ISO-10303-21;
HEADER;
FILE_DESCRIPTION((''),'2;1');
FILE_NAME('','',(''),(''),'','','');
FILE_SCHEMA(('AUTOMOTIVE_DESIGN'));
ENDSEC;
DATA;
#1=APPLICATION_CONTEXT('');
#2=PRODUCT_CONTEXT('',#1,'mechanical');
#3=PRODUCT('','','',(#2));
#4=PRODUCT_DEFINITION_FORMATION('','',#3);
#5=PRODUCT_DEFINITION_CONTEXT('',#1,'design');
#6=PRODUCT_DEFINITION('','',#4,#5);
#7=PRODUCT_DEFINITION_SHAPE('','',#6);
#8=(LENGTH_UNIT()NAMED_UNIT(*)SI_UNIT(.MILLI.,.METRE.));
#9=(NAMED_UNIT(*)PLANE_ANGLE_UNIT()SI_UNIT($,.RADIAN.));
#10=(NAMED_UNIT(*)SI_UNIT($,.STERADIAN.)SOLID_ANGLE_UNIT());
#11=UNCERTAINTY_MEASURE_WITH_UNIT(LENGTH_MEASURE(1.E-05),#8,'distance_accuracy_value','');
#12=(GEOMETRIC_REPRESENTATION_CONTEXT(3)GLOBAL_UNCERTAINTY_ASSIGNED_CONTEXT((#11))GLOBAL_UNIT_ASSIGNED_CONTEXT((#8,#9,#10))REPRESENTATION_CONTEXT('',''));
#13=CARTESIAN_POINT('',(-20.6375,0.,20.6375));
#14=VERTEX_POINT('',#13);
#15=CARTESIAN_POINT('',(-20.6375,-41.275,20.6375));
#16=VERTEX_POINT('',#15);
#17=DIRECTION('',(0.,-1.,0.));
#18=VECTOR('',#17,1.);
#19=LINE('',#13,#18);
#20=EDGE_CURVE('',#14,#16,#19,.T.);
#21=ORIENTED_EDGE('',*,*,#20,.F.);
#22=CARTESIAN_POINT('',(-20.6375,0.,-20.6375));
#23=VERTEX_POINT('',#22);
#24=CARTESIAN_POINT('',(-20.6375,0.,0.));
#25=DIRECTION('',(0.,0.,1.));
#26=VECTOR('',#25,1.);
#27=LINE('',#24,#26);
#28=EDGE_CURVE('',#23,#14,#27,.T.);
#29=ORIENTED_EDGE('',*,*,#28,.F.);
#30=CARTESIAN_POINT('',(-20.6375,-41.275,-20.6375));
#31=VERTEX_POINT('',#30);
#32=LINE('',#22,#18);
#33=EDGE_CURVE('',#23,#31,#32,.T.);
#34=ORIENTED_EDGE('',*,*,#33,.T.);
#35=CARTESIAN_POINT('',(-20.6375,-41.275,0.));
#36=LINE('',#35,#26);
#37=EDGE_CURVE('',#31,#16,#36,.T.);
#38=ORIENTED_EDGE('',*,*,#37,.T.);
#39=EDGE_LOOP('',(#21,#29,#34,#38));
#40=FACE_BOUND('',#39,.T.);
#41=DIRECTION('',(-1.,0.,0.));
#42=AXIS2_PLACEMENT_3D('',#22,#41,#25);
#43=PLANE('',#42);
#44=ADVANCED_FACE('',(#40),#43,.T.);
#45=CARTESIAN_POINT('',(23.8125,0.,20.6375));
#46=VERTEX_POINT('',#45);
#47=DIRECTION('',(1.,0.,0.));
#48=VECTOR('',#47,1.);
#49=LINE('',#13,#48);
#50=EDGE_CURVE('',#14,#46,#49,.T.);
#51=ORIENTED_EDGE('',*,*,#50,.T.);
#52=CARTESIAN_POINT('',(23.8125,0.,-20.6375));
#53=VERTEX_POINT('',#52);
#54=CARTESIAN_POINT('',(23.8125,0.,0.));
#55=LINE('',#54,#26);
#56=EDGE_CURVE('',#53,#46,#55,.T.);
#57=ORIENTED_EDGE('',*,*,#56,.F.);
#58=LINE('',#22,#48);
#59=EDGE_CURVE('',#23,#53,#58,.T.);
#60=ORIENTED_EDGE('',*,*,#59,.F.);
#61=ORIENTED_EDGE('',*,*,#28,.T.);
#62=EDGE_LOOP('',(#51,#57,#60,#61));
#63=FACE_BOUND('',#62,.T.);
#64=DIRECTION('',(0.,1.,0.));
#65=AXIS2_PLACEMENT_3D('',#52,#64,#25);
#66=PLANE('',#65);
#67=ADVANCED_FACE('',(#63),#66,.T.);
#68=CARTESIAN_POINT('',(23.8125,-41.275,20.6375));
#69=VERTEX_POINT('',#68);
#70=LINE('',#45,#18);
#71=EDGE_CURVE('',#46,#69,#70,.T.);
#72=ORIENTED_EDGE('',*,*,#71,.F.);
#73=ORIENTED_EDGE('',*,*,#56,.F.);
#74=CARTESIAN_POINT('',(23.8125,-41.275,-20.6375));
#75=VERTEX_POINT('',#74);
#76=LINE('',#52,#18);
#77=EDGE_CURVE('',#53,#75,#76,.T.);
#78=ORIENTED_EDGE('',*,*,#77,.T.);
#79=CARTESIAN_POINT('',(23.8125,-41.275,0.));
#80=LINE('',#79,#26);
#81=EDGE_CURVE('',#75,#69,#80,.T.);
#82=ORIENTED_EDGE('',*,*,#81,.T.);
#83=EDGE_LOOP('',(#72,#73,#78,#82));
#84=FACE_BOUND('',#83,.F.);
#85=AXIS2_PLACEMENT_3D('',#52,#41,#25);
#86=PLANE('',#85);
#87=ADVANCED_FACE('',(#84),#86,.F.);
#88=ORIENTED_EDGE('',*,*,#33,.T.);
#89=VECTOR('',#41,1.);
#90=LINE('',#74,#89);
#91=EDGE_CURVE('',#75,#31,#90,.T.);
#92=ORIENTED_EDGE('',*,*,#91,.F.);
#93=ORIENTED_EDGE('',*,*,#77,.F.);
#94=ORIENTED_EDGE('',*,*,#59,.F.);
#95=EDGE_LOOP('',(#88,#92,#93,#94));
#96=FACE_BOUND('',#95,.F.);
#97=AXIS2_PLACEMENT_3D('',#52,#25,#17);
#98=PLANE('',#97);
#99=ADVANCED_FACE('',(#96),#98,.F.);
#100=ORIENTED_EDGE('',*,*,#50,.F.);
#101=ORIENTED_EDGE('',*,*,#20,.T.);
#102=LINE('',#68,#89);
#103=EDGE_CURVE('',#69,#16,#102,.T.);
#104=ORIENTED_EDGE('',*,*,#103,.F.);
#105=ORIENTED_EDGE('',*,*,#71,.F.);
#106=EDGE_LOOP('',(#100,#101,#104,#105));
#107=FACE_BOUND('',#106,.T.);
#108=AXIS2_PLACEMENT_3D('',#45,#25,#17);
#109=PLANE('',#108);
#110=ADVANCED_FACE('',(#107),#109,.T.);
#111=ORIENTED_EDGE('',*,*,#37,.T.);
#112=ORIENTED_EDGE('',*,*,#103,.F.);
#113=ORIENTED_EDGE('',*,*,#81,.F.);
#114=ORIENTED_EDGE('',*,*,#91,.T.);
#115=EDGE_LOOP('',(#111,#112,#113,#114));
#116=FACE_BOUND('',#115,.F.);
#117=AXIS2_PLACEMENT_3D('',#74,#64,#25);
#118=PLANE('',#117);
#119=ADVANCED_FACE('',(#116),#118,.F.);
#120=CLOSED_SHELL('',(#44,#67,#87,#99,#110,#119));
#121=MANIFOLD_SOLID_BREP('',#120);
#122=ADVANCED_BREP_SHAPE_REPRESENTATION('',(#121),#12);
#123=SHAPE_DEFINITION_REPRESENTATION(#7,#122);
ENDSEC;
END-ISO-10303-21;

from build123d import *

# Parameters (mm, degrees)
F0_W     = 41.275
F0_H     = 41.275
F1_DEPTH = 41.275
F2_DEPTH = 38.1
F3_DEPTH = 41.275
F4_DEPTH = 15.875


with BuildPart() as f1:
    # F0 (on Front) → F1 (new body)
    with BuildSketch(Plane.XZ):
        Rectangle(F0_W, F0_H)
    extrude(amount=F1_DEPTH)

    # F2 (cut): a face of the model
    f2_faces = [f1.faces().sort_by_distance(p)[0] for p in [
        (20.6375, -20.6375, 0),
    ]]
    extrude(f2_faces, amount=-F2_DEPTH, mode=Mode.SUBTRACT)

    # F3 (add): a face of the model
    f3_faces = [f1.faces().sort_by_distance(p)[0] for p in [
        (-17.4625, -20.6375, 0),
    ]]
    extrude(f3_faces, amount=F3_DEPTH)

    # F4 (add): a face of the model
    f4_faces = [f1.faces().sort_by_distance(p)[0] for p in [
        (23.8125, -20.6375, 0),
    ]]
    extrude(f4_faces, amount=-F4_DEPTH)


solid = f1.part
